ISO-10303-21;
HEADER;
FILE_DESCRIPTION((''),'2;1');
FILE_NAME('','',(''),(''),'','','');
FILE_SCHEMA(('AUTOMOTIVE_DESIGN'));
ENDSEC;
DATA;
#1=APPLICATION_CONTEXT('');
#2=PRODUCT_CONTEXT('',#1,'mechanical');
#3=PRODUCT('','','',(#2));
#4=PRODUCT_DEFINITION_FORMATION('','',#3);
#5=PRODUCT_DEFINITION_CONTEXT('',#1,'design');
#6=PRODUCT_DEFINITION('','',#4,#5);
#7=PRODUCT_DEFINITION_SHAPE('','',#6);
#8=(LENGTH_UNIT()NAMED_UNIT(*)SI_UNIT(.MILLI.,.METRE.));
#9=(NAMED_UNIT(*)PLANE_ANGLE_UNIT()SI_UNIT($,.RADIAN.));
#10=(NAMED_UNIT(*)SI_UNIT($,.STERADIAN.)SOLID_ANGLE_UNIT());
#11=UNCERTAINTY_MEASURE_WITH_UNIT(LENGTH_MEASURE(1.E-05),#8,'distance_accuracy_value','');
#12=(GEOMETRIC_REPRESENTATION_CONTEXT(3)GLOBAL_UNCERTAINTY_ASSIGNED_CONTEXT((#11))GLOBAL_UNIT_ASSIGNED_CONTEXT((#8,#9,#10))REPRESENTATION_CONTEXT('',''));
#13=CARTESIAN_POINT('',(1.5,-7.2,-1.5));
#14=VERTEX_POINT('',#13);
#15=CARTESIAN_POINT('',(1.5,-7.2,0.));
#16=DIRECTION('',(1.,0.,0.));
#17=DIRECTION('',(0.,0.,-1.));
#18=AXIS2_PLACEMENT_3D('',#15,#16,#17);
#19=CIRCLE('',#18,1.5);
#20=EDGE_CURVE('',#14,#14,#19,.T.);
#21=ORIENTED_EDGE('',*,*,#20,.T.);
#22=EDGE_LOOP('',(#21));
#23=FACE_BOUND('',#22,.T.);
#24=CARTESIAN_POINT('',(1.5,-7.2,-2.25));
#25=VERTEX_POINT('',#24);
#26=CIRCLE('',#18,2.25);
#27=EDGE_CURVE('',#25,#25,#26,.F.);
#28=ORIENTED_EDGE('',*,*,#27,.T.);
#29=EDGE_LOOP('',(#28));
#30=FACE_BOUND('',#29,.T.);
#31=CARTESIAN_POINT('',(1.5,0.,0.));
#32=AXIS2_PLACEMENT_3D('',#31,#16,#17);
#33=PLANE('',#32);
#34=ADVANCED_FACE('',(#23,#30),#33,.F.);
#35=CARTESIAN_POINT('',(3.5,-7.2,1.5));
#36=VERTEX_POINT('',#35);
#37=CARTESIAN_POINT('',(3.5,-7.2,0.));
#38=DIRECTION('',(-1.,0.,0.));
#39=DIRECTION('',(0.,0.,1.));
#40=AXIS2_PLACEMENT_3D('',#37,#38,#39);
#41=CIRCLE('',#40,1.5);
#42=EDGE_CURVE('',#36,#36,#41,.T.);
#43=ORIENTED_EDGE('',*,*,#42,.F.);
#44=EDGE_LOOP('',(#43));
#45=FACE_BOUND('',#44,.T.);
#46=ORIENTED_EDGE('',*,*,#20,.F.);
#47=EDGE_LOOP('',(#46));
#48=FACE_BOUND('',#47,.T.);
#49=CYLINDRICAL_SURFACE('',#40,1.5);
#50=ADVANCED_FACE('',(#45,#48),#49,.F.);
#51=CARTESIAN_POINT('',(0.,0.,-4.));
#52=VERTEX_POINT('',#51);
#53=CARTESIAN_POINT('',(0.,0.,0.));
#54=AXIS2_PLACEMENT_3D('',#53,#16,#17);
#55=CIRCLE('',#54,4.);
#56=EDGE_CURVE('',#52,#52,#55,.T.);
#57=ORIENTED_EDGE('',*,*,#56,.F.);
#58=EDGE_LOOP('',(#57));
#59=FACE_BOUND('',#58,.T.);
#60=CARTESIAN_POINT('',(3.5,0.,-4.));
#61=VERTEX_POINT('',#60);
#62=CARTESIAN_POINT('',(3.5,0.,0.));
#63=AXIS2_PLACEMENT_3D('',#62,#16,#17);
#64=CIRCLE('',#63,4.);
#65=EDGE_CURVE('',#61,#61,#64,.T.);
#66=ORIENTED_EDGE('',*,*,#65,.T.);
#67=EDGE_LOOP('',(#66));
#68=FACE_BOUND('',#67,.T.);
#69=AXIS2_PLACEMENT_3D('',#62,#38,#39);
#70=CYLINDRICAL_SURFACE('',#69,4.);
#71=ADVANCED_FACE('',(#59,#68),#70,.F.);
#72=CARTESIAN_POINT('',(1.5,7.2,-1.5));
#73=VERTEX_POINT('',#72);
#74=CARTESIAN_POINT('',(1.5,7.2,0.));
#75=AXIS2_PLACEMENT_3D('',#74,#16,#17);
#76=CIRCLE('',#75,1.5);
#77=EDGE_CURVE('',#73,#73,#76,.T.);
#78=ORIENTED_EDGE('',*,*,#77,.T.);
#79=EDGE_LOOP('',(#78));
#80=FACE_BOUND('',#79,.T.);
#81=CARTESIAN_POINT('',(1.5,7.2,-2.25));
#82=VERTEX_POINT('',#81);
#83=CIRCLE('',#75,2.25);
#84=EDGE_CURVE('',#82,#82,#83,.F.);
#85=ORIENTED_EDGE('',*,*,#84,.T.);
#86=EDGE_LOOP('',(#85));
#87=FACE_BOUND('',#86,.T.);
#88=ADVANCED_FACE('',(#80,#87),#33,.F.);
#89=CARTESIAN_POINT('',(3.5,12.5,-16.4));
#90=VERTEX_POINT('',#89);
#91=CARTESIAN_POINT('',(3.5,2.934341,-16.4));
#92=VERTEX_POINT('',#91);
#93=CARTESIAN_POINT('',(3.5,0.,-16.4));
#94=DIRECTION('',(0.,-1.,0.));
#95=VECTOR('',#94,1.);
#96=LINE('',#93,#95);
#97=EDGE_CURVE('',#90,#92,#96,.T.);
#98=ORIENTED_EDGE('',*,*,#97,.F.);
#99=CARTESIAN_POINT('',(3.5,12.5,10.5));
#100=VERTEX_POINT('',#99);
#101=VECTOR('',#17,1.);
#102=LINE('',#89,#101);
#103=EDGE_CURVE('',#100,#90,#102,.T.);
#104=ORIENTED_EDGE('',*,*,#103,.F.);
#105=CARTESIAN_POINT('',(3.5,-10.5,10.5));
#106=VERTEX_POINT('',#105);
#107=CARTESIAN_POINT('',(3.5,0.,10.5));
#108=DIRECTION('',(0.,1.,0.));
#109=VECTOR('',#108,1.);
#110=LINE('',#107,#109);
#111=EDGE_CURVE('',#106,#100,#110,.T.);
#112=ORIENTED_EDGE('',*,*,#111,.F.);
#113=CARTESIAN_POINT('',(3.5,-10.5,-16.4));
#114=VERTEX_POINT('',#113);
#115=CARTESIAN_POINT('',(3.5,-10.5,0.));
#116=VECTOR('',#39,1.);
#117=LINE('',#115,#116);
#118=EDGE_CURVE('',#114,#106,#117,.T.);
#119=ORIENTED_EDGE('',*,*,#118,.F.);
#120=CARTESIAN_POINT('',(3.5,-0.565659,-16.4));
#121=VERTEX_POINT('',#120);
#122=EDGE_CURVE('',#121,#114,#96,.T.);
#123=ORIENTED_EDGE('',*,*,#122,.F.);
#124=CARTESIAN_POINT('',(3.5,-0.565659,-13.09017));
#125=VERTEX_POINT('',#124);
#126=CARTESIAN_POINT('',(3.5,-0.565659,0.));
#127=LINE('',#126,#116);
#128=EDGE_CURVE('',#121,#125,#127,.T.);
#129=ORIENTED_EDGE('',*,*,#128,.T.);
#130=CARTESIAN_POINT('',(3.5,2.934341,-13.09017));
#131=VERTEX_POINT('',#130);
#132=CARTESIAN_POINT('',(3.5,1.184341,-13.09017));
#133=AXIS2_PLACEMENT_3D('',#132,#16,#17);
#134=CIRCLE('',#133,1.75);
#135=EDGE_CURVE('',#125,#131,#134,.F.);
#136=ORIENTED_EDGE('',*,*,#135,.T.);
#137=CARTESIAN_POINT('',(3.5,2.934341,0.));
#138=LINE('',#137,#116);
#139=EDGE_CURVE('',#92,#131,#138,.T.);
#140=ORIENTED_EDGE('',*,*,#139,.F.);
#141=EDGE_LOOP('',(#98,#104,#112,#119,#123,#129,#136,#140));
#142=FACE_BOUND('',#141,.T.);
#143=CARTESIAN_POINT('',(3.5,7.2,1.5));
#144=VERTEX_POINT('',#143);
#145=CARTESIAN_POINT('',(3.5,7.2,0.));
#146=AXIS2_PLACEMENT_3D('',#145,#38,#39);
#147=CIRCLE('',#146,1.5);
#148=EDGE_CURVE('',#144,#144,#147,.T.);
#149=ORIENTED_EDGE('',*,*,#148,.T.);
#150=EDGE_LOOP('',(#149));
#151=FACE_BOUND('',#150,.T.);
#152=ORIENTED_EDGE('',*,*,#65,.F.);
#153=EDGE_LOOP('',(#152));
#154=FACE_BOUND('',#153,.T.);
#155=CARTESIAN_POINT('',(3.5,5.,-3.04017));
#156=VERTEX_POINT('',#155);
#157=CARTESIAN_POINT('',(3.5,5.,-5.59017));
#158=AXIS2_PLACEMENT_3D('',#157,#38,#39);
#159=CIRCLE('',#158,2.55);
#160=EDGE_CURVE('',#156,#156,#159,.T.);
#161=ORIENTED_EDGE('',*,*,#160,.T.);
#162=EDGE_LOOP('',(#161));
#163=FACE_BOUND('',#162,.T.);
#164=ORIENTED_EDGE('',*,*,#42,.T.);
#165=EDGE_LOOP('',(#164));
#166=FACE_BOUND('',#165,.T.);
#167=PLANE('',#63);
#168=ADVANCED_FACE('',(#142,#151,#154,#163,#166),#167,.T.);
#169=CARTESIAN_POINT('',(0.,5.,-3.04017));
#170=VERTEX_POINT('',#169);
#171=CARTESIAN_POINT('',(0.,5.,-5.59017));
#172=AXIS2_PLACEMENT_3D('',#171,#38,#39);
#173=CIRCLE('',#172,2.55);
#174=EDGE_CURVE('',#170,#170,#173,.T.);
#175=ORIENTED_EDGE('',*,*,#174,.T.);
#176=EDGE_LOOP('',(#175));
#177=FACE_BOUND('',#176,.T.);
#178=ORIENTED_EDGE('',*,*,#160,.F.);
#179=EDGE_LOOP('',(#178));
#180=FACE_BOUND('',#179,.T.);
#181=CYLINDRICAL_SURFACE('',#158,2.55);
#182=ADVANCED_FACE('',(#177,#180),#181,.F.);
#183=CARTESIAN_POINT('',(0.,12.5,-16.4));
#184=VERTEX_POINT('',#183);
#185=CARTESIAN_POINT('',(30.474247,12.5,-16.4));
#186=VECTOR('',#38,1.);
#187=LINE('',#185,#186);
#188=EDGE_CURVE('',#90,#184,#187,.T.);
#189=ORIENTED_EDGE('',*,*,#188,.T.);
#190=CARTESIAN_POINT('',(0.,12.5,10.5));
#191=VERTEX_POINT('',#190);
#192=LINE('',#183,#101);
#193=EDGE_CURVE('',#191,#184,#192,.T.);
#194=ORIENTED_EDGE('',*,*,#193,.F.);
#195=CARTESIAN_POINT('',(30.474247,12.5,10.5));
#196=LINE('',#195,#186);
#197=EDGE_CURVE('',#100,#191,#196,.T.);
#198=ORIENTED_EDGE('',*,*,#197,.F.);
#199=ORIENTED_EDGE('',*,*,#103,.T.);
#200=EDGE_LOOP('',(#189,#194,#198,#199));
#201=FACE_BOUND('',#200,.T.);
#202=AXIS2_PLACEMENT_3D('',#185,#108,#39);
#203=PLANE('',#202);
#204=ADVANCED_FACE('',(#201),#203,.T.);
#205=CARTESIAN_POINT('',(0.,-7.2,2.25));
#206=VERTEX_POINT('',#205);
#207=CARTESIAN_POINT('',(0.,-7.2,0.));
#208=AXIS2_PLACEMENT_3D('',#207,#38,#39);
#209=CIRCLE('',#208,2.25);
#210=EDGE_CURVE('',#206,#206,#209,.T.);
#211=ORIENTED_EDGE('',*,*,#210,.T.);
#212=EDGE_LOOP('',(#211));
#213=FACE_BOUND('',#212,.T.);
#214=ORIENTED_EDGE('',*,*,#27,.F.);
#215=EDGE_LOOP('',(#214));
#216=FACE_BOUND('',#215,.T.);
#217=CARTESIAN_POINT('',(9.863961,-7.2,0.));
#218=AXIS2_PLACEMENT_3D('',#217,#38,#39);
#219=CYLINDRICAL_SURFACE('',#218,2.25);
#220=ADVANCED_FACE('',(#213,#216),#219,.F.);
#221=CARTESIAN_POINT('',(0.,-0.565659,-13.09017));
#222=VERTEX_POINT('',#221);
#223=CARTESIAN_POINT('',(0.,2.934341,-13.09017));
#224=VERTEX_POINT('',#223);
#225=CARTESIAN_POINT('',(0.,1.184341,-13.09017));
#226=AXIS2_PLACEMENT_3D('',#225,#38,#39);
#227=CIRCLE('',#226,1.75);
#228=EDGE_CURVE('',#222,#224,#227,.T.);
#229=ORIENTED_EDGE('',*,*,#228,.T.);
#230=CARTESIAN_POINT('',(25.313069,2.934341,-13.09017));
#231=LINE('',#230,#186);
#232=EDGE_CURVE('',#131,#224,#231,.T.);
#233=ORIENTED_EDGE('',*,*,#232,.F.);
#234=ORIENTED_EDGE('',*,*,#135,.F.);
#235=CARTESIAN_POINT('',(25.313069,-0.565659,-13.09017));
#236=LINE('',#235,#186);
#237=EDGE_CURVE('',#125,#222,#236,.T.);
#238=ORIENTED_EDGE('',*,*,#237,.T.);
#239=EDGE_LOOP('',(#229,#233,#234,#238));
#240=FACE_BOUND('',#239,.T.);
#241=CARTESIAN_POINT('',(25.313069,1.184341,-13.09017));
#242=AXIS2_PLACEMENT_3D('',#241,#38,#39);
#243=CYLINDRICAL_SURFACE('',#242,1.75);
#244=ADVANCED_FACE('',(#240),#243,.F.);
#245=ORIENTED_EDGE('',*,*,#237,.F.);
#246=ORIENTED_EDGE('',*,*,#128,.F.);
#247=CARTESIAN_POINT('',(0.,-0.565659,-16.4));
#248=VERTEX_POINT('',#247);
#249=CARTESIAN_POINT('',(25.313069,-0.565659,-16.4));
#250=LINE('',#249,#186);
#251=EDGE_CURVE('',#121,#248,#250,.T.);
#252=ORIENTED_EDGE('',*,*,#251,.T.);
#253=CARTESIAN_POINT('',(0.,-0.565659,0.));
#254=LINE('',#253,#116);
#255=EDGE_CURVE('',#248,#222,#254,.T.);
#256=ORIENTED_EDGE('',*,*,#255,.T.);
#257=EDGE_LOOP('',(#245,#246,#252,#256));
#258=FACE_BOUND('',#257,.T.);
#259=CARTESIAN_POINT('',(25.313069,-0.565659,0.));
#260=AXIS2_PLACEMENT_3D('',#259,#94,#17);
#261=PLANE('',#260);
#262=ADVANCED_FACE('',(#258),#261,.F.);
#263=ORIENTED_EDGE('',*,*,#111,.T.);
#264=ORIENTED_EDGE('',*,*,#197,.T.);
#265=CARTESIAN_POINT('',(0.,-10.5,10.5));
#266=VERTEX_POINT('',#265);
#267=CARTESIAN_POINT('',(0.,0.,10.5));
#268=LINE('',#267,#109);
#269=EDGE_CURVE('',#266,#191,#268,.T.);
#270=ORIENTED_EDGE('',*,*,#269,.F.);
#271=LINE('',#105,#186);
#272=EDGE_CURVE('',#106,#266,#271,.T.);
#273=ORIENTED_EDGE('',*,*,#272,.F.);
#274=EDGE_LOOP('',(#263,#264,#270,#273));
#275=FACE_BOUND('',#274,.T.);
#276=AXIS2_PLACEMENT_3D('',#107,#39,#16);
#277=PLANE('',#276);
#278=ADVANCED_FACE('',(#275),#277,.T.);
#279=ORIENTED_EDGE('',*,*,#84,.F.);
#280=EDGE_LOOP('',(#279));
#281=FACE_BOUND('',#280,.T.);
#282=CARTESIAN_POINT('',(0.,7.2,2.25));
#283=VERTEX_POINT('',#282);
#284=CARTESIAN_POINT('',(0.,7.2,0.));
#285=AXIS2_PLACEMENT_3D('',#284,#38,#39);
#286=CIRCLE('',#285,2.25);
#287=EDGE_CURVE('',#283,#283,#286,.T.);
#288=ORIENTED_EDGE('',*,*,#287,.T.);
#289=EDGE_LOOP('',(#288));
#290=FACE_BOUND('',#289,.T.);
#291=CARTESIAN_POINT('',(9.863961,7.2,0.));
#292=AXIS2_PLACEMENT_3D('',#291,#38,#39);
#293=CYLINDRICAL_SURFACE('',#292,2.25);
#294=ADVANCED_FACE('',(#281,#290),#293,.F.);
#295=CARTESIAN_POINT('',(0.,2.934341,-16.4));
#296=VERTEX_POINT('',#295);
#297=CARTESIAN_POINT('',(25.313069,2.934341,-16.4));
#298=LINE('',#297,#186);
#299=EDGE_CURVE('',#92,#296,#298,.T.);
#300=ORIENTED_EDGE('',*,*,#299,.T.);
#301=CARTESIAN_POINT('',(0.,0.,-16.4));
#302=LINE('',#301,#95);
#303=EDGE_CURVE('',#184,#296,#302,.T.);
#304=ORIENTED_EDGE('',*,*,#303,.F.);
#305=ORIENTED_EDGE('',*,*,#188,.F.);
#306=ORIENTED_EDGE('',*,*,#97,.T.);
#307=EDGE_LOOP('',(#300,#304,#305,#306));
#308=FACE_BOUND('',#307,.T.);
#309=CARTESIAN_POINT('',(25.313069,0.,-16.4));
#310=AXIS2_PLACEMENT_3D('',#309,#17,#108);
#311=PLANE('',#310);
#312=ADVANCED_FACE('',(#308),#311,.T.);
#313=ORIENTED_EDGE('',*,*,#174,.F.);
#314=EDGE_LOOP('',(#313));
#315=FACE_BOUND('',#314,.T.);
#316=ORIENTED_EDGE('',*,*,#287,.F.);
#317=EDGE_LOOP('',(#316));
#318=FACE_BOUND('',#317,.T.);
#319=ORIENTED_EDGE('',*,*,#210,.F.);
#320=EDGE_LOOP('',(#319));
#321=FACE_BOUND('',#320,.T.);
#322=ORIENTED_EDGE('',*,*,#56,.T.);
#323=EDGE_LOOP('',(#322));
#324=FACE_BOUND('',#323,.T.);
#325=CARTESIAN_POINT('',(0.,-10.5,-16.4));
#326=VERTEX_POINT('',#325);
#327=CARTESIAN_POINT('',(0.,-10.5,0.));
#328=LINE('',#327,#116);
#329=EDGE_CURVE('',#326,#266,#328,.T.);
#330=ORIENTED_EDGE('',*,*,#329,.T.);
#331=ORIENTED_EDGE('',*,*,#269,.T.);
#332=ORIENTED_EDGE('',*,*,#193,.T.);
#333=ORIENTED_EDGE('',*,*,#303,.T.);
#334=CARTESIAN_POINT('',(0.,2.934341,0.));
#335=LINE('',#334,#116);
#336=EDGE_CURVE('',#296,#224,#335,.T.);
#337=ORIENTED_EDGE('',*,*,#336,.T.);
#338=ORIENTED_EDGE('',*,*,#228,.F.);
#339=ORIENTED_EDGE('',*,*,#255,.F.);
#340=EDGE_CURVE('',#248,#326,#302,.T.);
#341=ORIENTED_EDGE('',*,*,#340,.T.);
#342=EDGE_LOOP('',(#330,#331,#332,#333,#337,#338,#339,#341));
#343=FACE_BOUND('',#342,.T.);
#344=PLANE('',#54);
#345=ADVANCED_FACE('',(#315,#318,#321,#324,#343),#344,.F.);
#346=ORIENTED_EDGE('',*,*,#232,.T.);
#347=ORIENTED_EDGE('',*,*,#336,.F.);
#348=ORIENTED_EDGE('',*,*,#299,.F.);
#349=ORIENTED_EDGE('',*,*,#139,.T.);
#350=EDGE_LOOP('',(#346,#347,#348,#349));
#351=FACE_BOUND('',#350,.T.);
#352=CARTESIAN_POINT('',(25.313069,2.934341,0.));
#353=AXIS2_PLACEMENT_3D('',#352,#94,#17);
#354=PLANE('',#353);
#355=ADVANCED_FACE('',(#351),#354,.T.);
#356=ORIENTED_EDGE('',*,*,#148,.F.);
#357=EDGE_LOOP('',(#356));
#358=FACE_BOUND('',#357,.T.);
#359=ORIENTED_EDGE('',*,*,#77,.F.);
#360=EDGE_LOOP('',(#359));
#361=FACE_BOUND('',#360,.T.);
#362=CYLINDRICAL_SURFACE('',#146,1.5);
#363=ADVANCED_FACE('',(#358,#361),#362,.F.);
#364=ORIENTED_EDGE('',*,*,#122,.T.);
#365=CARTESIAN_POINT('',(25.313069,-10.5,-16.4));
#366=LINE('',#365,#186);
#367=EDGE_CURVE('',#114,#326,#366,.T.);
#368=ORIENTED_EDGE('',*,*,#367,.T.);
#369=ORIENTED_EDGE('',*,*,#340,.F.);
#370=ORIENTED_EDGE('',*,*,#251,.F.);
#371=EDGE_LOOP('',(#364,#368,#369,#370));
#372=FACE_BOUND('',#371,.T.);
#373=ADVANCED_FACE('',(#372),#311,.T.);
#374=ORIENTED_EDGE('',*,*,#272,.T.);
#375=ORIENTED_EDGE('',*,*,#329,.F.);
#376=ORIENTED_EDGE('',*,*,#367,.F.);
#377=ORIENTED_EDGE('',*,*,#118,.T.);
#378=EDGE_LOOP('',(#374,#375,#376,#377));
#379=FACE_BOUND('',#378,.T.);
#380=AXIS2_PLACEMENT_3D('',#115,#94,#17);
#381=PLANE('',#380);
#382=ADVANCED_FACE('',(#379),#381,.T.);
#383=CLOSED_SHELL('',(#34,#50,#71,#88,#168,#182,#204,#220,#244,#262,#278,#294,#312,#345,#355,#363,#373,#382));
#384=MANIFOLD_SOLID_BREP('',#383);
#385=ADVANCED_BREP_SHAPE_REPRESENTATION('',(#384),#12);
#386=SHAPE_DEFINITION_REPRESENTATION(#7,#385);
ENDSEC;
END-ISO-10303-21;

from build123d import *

# Parameters (mm, degrees)
SKETCH_1_W          = 21
SKETCH_1_H          = 21
SKETCH_1_R          = 4
EXTRUDE_1_DEPTH     = 3.5
SKETCH_2_R          = 2.25
SKETCH_2_R_2        = 1.5
CUT_EXTRUDE_1_DEPTH = 1.5
SKETCH_2_2_R        = 1.5
CUT_EXTRUDE_2_DEPTH = 16.256146302
SKETCH_4_R          = 2.55
CUT_EXTRUDE_3_DEPTH = 16.256146302
EXTRUDE_2_DEPTH     = 3.5
SKETCH_6_W          = 26.9
SKETCH_6_H          = 2
EXTRUDE_3_DEPTH     = 3.5


with BuildPart() as part:
    # 草图1 → 凸台-拉伸1 (new body)
    with BuildSketch(Plane(origin=(0, 0, 0), x_dir=(0, 0, -1), z_dir=(1, 0, 0))):
        Rectangle(SKETCH_1_W, SKETCH_1_H)
        Circle(SKETCH_1_R, mode=Mode.SUBTRACT)
    extrude(amount=EXTRUDE_1_DEPTH)

    # 草图2 → 切除-拉伸1 (cut)
    # profile 1 of 2: a face of its own
    with BuildSketch(Plane.ZY):
        with Locations((0, 7.2)):
            Circle(SKETCH_2_R)
        with Locations((0, 7.2)):
            Circle(SKETCH_2_R_2, mode=Mode.SUBTRACT)
    # profile 2 of 2: a face of its own
    with BuildSketch(Plane.ZY):
        with Locations((0, -7.2)):
            Circle(SKETCH_2_R)
        with Locations((0, -7.2)):
            Circle(SKETCH_2_R_2, mode=Mode.SUBTRACT)
    extrude(amount=-CUT_EXTRUDE_1_DEPTH, mode=Mode.SUBTRACT)

    # 草图2<2> → 切除-拉伸2 (cut, through all)
    with BuildSketch(Plane.ZY):
        with Locations((0, 7.2)):
            Circle(SKETCH_2_2_R)
        with Locations((0, -7.2)):
            Circle(SKETCH_2_2_R)
    extrude(amount=-CUT_EXTRUDE_2_DEPTH, mode=Mode.SUBTRACT)

    # 草图4 → 切除-拉伸3 (cut, through all)
    with BuildSketch(Plane.ZY):
        with Locations((-5.590169944, 5)):
            Circle(SKETCH_4_R)
    extrude(amount=-CUT_EXTRUDE_3_DEPTH, mode=Mode.SUBTRACT)

    # 草图5 → 凸台-拉伸2 (add)
    with BuildSketch(Plane.ZY):
        with BuildLine():
            Line((-10.5, -10.5), (-10.5, 10.5))
            Line((-10.5, 10.5), (-16.4, 10.5))
            Line((-16.4, 10.5), (-16.4, 2.934341014))
            Line((-16.4, 2.934341014), (-13.090169944, 2.934341014))
            ThreePointArc((-13.090169944, 2.934341014), (-11.852733077, 2.421777882), (-11.340169944, 1.184341014))
            ThreePointArc((-11.340169944, 1.184341014), (-11.852733077, -0.053095853), (-13.090169944, -0.565658986))
            Line((-13.090169944, -0.565658986), (-16.4, -0.565658986))
            Line((-16.4, -0.565658986), (-16.4, -10.5))
            Line((-16.4, -10.5), (-10.5, -10.5))
        make_face()
    extrude(amount=-EXTRUDE_2_DEPTH)

    # 草图6 → 凸台-拉伸3 (add)
    with BuildSketch(Plane.ZY):
        with Locations((-2.95, 11.5)):
            Rectangle(SKETCH_6_W, SKETCH_6_H)
    extrude(amount=-EXTRUDE_3_DEPTH)


solid = part.part
